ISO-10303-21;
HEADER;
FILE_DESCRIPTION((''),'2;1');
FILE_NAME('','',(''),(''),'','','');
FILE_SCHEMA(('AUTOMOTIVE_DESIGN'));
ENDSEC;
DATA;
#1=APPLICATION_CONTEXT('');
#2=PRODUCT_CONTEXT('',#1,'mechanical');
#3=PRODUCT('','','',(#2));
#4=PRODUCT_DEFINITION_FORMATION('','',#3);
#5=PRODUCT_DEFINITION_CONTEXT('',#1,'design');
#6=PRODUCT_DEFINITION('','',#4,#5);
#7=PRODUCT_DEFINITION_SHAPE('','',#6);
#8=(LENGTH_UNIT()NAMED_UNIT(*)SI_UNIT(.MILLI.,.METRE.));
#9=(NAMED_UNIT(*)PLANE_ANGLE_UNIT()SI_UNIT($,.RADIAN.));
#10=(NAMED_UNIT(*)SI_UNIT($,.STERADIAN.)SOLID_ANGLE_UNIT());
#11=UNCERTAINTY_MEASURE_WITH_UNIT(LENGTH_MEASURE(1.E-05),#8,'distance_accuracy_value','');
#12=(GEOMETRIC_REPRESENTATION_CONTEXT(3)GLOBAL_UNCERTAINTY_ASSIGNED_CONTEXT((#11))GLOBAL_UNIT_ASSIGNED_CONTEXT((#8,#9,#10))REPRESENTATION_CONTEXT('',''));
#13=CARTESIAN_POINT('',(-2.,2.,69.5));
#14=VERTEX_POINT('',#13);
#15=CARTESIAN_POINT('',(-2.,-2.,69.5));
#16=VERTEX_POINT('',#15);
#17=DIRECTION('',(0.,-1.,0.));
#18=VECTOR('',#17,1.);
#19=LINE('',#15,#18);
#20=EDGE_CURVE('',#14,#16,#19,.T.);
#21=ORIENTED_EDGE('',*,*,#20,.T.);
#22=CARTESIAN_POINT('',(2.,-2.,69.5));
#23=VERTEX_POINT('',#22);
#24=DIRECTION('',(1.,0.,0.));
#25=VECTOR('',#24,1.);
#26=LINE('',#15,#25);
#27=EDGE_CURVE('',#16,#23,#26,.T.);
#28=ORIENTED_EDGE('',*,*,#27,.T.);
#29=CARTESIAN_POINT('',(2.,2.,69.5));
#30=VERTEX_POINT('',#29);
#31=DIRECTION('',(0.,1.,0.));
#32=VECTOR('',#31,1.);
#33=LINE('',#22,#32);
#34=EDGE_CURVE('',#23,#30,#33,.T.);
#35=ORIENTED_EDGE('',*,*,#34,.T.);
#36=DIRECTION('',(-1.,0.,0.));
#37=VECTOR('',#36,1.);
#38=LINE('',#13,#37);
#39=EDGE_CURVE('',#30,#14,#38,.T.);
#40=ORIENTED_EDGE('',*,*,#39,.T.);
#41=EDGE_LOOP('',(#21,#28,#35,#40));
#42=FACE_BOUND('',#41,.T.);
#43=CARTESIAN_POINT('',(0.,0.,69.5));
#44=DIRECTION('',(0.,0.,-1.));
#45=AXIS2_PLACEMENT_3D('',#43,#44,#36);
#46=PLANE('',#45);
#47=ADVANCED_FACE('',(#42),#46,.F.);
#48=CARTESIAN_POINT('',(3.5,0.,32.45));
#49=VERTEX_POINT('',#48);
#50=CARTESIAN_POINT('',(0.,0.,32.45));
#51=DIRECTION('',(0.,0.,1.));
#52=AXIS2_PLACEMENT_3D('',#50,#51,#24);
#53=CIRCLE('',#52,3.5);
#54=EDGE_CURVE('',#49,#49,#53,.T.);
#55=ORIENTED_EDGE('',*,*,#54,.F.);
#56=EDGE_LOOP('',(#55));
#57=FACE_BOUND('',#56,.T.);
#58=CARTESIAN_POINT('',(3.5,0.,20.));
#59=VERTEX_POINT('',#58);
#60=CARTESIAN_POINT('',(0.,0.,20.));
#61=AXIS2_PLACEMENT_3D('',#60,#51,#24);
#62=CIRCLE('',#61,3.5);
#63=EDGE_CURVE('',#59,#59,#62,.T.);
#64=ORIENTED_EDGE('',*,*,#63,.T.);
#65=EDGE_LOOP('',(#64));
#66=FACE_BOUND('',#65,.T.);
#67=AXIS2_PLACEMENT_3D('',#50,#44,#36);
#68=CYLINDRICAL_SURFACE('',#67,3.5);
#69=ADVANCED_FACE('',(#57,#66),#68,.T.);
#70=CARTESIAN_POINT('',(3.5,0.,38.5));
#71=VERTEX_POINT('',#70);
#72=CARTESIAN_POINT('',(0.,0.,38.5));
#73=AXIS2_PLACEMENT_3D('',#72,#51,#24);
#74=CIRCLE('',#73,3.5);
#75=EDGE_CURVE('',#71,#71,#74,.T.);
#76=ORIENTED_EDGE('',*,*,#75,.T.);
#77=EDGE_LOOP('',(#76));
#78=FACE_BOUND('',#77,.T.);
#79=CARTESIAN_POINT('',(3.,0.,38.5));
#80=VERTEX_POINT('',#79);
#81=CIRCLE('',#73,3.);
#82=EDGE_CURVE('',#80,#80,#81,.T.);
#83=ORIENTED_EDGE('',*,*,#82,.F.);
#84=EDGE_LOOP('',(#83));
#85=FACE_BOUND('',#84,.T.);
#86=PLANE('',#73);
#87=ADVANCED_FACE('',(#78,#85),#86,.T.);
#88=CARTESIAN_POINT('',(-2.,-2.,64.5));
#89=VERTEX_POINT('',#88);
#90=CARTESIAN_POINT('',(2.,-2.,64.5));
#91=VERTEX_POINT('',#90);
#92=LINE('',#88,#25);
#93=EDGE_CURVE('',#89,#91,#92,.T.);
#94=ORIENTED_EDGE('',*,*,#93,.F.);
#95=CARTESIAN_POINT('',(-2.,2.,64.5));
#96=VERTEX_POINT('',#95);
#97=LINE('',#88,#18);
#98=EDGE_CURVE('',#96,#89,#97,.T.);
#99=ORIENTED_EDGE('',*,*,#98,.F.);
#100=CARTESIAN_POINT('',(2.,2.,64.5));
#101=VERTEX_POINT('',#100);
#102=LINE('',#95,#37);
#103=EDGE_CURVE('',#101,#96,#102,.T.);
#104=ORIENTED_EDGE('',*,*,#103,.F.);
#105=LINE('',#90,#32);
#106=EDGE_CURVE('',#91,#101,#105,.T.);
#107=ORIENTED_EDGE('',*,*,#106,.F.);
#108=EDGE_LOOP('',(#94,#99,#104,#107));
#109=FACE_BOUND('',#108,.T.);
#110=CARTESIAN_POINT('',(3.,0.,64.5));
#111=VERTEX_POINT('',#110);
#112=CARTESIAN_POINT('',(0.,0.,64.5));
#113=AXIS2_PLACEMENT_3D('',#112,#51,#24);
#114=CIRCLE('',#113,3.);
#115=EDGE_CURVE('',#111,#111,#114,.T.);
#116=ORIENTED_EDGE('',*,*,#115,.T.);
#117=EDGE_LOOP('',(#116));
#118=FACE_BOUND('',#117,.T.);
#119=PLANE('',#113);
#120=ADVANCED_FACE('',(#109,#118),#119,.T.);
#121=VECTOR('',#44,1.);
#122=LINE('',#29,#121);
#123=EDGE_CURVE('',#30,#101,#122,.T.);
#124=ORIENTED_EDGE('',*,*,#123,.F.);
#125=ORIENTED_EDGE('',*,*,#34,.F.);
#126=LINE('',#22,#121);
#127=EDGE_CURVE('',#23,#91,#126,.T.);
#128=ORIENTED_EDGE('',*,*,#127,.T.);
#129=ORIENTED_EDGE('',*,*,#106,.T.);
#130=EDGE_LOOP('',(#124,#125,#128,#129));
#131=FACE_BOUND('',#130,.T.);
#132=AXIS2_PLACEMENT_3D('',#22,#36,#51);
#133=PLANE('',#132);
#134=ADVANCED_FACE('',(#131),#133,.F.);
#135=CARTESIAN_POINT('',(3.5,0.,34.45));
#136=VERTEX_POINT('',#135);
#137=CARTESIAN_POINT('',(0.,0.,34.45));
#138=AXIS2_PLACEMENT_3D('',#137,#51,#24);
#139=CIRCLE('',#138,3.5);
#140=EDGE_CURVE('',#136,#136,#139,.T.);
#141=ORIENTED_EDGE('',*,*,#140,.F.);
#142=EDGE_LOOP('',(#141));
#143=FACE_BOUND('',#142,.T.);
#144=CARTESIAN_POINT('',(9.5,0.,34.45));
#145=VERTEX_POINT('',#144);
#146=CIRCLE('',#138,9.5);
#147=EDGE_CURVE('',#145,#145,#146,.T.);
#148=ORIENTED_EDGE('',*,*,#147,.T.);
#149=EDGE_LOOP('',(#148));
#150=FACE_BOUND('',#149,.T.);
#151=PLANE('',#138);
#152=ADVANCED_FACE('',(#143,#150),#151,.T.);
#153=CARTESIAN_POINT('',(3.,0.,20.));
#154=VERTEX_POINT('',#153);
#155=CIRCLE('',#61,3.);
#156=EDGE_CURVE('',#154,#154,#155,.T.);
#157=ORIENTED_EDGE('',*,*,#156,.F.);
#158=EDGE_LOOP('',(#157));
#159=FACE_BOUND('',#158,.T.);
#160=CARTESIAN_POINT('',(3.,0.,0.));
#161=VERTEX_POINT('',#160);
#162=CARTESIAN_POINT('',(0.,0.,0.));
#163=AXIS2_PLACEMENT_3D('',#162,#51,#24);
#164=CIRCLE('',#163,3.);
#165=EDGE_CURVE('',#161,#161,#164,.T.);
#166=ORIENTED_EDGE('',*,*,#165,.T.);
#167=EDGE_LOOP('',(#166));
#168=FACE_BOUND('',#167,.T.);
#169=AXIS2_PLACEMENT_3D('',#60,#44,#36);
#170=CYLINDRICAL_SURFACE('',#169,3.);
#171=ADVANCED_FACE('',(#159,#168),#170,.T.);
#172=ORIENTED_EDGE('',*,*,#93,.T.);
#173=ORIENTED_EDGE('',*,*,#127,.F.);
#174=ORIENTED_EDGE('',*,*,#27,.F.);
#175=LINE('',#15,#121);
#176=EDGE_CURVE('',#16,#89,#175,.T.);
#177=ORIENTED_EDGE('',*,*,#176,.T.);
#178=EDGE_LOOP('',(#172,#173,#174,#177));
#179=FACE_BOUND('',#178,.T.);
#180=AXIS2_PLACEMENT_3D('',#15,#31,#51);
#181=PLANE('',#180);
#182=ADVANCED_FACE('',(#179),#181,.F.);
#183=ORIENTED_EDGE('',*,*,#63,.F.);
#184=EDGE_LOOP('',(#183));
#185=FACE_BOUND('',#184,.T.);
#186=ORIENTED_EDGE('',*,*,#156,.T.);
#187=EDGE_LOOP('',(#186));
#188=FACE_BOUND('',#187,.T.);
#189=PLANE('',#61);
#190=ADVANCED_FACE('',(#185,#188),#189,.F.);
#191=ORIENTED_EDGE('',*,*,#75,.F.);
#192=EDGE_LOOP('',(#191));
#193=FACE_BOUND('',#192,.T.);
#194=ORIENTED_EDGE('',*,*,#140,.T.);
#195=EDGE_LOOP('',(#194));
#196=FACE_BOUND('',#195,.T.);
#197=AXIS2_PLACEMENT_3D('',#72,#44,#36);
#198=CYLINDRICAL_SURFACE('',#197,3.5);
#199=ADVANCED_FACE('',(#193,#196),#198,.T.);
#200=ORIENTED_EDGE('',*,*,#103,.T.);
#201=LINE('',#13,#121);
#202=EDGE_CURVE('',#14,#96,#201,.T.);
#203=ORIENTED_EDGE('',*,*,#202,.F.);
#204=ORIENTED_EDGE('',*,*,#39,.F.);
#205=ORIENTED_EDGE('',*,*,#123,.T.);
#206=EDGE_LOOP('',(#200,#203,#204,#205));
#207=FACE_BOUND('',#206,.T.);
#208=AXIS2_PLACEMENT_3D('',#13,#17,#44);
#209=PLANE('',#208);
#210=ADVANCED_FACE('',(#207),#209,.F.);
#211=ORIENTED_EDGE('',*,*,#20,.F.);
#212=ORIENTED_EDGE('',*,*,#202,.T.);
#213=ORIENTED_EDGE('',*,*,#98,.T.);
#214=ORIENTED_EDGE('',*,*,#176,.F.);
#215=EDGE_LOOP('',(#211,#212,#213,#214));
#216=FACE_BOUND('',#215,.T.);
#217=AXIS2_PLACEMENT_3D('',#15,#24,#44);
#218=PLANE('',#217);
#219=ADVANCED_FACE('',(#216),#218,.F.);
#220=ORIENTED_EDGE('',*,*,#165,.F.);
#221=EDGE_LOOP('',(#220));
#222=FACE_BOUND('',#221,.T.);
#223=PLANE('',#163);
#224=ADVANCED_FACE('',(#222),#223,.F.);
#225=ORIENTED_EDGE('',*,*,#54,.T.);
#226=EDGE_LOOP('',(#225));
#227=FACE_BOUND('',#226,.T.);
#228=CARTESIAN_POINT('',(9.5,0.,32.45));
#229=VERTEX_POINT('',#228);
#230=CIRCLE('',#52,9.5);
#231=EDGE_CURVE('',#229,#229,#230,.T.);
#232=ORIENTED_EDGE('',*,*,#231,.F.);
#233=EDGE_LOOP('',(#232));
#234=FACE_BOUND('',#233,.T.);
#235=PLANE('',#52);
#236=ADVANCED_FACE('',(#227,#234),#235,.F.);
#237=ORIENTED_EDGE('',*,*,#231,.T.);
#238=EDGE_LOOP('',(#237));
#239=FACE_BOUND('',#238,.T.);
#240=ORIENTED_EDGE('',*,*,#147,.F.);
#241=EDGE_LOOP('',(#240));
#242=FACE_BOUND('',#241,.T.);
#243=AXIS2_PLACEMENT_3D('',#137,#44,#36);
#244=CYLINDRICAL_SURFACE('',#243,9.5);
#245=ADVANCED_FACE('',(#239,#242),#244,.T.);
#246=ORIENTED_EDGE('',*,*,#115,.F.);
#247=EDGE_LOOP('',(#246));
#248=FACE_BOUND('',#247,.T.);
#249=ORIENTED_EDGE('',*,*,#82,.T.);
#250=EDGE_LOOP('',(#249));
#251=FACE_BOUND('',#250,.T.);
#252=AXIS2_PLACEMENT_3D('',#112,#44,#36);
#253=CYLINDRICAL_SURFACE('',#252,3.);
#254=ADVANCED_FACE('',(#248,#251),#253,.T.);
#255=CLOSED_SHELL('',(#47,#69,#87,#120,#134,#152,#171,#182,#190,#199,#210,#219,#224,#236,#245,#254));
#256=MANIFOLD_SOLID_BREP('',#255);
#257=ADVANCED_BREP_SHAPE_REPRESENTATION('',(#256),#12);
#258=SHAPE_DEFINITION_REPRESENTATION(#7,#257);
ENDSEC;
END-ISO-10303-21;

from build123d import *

# Parameters (mm, degrees)
CROQUIS1_R              = 3
SALIENTE_EXTRUIR1_DEPTH = 20
CROQUIS2_R              = 3.5
SALIENTE_EXTRUIR2_DEPTH = 12.45
CROQUIS3_R              = 9.5
SALIENTE_EXTRUIR3_DEPTH = 2
CROQUIS4_R              = 3.5
SALIENTE_EXTRUIR4_DEPTH = 4.05
CROQUIS5_R              = 3
SALIENTE_EXTRUIR5_DEPTH = 26
CROQUIS6_W              = 4
CROQUIS6_H              = 4
SALIENTE_EXTRUIR6_DEPTH = 5


with BuildPart() as part:
    # Croquis1 → Saliente-Extruir1 (new body)
    with BuildSketch(Plane.XY):
        Circle(CROQUIS1_R)
    extrude(amount=SALIENTE_EXTRUIR1_DEPTH)

    # Croquis2 → Saliente-Extruir2 (add)
    with BuildSketch(Plane.XY.offset(20)):
        Circle(CROQUIS2_R)
    extrude(amount=SALIENTE_EXTRUIR2_DEPTH)

    # Croquis3 → Saliente-Extruir3 (add)
    with BuildSketch(Plane.XY.offset(32.45)):
        Circle(CROQUIS3_R)
    extrude(amount=SALIENTE_EXTRUIR3_DEPTH)

    # Croquis4 → Saliente-Extruir4 (add)
    with BuildSketch(Plane.XY.offset(34.45)):
        Circle(CROQUIS4_R)
    extrude(amount=SALIENTE_EXTRUIR4_DEPTH)

    # Croquis5 → Saliente-Extruir5 (add)
    with BuildSketch(Plane.XY.offset(38.5)):
        Circle(CROQUIS5_R)
    extrude(amount=SALIENTE_EXTRUIR5_DEPTH)

    # Croquis6 → Saliente-Extruir6 (add)
    with BuildSketch(Plane.XY.offset(64.5)):
        Rectangle(CROQUIS6_W, CROQUIS6_H)
    extrude(amount=SALIENTE_EXTRUIR6_DEPTH)


solid = part.part
